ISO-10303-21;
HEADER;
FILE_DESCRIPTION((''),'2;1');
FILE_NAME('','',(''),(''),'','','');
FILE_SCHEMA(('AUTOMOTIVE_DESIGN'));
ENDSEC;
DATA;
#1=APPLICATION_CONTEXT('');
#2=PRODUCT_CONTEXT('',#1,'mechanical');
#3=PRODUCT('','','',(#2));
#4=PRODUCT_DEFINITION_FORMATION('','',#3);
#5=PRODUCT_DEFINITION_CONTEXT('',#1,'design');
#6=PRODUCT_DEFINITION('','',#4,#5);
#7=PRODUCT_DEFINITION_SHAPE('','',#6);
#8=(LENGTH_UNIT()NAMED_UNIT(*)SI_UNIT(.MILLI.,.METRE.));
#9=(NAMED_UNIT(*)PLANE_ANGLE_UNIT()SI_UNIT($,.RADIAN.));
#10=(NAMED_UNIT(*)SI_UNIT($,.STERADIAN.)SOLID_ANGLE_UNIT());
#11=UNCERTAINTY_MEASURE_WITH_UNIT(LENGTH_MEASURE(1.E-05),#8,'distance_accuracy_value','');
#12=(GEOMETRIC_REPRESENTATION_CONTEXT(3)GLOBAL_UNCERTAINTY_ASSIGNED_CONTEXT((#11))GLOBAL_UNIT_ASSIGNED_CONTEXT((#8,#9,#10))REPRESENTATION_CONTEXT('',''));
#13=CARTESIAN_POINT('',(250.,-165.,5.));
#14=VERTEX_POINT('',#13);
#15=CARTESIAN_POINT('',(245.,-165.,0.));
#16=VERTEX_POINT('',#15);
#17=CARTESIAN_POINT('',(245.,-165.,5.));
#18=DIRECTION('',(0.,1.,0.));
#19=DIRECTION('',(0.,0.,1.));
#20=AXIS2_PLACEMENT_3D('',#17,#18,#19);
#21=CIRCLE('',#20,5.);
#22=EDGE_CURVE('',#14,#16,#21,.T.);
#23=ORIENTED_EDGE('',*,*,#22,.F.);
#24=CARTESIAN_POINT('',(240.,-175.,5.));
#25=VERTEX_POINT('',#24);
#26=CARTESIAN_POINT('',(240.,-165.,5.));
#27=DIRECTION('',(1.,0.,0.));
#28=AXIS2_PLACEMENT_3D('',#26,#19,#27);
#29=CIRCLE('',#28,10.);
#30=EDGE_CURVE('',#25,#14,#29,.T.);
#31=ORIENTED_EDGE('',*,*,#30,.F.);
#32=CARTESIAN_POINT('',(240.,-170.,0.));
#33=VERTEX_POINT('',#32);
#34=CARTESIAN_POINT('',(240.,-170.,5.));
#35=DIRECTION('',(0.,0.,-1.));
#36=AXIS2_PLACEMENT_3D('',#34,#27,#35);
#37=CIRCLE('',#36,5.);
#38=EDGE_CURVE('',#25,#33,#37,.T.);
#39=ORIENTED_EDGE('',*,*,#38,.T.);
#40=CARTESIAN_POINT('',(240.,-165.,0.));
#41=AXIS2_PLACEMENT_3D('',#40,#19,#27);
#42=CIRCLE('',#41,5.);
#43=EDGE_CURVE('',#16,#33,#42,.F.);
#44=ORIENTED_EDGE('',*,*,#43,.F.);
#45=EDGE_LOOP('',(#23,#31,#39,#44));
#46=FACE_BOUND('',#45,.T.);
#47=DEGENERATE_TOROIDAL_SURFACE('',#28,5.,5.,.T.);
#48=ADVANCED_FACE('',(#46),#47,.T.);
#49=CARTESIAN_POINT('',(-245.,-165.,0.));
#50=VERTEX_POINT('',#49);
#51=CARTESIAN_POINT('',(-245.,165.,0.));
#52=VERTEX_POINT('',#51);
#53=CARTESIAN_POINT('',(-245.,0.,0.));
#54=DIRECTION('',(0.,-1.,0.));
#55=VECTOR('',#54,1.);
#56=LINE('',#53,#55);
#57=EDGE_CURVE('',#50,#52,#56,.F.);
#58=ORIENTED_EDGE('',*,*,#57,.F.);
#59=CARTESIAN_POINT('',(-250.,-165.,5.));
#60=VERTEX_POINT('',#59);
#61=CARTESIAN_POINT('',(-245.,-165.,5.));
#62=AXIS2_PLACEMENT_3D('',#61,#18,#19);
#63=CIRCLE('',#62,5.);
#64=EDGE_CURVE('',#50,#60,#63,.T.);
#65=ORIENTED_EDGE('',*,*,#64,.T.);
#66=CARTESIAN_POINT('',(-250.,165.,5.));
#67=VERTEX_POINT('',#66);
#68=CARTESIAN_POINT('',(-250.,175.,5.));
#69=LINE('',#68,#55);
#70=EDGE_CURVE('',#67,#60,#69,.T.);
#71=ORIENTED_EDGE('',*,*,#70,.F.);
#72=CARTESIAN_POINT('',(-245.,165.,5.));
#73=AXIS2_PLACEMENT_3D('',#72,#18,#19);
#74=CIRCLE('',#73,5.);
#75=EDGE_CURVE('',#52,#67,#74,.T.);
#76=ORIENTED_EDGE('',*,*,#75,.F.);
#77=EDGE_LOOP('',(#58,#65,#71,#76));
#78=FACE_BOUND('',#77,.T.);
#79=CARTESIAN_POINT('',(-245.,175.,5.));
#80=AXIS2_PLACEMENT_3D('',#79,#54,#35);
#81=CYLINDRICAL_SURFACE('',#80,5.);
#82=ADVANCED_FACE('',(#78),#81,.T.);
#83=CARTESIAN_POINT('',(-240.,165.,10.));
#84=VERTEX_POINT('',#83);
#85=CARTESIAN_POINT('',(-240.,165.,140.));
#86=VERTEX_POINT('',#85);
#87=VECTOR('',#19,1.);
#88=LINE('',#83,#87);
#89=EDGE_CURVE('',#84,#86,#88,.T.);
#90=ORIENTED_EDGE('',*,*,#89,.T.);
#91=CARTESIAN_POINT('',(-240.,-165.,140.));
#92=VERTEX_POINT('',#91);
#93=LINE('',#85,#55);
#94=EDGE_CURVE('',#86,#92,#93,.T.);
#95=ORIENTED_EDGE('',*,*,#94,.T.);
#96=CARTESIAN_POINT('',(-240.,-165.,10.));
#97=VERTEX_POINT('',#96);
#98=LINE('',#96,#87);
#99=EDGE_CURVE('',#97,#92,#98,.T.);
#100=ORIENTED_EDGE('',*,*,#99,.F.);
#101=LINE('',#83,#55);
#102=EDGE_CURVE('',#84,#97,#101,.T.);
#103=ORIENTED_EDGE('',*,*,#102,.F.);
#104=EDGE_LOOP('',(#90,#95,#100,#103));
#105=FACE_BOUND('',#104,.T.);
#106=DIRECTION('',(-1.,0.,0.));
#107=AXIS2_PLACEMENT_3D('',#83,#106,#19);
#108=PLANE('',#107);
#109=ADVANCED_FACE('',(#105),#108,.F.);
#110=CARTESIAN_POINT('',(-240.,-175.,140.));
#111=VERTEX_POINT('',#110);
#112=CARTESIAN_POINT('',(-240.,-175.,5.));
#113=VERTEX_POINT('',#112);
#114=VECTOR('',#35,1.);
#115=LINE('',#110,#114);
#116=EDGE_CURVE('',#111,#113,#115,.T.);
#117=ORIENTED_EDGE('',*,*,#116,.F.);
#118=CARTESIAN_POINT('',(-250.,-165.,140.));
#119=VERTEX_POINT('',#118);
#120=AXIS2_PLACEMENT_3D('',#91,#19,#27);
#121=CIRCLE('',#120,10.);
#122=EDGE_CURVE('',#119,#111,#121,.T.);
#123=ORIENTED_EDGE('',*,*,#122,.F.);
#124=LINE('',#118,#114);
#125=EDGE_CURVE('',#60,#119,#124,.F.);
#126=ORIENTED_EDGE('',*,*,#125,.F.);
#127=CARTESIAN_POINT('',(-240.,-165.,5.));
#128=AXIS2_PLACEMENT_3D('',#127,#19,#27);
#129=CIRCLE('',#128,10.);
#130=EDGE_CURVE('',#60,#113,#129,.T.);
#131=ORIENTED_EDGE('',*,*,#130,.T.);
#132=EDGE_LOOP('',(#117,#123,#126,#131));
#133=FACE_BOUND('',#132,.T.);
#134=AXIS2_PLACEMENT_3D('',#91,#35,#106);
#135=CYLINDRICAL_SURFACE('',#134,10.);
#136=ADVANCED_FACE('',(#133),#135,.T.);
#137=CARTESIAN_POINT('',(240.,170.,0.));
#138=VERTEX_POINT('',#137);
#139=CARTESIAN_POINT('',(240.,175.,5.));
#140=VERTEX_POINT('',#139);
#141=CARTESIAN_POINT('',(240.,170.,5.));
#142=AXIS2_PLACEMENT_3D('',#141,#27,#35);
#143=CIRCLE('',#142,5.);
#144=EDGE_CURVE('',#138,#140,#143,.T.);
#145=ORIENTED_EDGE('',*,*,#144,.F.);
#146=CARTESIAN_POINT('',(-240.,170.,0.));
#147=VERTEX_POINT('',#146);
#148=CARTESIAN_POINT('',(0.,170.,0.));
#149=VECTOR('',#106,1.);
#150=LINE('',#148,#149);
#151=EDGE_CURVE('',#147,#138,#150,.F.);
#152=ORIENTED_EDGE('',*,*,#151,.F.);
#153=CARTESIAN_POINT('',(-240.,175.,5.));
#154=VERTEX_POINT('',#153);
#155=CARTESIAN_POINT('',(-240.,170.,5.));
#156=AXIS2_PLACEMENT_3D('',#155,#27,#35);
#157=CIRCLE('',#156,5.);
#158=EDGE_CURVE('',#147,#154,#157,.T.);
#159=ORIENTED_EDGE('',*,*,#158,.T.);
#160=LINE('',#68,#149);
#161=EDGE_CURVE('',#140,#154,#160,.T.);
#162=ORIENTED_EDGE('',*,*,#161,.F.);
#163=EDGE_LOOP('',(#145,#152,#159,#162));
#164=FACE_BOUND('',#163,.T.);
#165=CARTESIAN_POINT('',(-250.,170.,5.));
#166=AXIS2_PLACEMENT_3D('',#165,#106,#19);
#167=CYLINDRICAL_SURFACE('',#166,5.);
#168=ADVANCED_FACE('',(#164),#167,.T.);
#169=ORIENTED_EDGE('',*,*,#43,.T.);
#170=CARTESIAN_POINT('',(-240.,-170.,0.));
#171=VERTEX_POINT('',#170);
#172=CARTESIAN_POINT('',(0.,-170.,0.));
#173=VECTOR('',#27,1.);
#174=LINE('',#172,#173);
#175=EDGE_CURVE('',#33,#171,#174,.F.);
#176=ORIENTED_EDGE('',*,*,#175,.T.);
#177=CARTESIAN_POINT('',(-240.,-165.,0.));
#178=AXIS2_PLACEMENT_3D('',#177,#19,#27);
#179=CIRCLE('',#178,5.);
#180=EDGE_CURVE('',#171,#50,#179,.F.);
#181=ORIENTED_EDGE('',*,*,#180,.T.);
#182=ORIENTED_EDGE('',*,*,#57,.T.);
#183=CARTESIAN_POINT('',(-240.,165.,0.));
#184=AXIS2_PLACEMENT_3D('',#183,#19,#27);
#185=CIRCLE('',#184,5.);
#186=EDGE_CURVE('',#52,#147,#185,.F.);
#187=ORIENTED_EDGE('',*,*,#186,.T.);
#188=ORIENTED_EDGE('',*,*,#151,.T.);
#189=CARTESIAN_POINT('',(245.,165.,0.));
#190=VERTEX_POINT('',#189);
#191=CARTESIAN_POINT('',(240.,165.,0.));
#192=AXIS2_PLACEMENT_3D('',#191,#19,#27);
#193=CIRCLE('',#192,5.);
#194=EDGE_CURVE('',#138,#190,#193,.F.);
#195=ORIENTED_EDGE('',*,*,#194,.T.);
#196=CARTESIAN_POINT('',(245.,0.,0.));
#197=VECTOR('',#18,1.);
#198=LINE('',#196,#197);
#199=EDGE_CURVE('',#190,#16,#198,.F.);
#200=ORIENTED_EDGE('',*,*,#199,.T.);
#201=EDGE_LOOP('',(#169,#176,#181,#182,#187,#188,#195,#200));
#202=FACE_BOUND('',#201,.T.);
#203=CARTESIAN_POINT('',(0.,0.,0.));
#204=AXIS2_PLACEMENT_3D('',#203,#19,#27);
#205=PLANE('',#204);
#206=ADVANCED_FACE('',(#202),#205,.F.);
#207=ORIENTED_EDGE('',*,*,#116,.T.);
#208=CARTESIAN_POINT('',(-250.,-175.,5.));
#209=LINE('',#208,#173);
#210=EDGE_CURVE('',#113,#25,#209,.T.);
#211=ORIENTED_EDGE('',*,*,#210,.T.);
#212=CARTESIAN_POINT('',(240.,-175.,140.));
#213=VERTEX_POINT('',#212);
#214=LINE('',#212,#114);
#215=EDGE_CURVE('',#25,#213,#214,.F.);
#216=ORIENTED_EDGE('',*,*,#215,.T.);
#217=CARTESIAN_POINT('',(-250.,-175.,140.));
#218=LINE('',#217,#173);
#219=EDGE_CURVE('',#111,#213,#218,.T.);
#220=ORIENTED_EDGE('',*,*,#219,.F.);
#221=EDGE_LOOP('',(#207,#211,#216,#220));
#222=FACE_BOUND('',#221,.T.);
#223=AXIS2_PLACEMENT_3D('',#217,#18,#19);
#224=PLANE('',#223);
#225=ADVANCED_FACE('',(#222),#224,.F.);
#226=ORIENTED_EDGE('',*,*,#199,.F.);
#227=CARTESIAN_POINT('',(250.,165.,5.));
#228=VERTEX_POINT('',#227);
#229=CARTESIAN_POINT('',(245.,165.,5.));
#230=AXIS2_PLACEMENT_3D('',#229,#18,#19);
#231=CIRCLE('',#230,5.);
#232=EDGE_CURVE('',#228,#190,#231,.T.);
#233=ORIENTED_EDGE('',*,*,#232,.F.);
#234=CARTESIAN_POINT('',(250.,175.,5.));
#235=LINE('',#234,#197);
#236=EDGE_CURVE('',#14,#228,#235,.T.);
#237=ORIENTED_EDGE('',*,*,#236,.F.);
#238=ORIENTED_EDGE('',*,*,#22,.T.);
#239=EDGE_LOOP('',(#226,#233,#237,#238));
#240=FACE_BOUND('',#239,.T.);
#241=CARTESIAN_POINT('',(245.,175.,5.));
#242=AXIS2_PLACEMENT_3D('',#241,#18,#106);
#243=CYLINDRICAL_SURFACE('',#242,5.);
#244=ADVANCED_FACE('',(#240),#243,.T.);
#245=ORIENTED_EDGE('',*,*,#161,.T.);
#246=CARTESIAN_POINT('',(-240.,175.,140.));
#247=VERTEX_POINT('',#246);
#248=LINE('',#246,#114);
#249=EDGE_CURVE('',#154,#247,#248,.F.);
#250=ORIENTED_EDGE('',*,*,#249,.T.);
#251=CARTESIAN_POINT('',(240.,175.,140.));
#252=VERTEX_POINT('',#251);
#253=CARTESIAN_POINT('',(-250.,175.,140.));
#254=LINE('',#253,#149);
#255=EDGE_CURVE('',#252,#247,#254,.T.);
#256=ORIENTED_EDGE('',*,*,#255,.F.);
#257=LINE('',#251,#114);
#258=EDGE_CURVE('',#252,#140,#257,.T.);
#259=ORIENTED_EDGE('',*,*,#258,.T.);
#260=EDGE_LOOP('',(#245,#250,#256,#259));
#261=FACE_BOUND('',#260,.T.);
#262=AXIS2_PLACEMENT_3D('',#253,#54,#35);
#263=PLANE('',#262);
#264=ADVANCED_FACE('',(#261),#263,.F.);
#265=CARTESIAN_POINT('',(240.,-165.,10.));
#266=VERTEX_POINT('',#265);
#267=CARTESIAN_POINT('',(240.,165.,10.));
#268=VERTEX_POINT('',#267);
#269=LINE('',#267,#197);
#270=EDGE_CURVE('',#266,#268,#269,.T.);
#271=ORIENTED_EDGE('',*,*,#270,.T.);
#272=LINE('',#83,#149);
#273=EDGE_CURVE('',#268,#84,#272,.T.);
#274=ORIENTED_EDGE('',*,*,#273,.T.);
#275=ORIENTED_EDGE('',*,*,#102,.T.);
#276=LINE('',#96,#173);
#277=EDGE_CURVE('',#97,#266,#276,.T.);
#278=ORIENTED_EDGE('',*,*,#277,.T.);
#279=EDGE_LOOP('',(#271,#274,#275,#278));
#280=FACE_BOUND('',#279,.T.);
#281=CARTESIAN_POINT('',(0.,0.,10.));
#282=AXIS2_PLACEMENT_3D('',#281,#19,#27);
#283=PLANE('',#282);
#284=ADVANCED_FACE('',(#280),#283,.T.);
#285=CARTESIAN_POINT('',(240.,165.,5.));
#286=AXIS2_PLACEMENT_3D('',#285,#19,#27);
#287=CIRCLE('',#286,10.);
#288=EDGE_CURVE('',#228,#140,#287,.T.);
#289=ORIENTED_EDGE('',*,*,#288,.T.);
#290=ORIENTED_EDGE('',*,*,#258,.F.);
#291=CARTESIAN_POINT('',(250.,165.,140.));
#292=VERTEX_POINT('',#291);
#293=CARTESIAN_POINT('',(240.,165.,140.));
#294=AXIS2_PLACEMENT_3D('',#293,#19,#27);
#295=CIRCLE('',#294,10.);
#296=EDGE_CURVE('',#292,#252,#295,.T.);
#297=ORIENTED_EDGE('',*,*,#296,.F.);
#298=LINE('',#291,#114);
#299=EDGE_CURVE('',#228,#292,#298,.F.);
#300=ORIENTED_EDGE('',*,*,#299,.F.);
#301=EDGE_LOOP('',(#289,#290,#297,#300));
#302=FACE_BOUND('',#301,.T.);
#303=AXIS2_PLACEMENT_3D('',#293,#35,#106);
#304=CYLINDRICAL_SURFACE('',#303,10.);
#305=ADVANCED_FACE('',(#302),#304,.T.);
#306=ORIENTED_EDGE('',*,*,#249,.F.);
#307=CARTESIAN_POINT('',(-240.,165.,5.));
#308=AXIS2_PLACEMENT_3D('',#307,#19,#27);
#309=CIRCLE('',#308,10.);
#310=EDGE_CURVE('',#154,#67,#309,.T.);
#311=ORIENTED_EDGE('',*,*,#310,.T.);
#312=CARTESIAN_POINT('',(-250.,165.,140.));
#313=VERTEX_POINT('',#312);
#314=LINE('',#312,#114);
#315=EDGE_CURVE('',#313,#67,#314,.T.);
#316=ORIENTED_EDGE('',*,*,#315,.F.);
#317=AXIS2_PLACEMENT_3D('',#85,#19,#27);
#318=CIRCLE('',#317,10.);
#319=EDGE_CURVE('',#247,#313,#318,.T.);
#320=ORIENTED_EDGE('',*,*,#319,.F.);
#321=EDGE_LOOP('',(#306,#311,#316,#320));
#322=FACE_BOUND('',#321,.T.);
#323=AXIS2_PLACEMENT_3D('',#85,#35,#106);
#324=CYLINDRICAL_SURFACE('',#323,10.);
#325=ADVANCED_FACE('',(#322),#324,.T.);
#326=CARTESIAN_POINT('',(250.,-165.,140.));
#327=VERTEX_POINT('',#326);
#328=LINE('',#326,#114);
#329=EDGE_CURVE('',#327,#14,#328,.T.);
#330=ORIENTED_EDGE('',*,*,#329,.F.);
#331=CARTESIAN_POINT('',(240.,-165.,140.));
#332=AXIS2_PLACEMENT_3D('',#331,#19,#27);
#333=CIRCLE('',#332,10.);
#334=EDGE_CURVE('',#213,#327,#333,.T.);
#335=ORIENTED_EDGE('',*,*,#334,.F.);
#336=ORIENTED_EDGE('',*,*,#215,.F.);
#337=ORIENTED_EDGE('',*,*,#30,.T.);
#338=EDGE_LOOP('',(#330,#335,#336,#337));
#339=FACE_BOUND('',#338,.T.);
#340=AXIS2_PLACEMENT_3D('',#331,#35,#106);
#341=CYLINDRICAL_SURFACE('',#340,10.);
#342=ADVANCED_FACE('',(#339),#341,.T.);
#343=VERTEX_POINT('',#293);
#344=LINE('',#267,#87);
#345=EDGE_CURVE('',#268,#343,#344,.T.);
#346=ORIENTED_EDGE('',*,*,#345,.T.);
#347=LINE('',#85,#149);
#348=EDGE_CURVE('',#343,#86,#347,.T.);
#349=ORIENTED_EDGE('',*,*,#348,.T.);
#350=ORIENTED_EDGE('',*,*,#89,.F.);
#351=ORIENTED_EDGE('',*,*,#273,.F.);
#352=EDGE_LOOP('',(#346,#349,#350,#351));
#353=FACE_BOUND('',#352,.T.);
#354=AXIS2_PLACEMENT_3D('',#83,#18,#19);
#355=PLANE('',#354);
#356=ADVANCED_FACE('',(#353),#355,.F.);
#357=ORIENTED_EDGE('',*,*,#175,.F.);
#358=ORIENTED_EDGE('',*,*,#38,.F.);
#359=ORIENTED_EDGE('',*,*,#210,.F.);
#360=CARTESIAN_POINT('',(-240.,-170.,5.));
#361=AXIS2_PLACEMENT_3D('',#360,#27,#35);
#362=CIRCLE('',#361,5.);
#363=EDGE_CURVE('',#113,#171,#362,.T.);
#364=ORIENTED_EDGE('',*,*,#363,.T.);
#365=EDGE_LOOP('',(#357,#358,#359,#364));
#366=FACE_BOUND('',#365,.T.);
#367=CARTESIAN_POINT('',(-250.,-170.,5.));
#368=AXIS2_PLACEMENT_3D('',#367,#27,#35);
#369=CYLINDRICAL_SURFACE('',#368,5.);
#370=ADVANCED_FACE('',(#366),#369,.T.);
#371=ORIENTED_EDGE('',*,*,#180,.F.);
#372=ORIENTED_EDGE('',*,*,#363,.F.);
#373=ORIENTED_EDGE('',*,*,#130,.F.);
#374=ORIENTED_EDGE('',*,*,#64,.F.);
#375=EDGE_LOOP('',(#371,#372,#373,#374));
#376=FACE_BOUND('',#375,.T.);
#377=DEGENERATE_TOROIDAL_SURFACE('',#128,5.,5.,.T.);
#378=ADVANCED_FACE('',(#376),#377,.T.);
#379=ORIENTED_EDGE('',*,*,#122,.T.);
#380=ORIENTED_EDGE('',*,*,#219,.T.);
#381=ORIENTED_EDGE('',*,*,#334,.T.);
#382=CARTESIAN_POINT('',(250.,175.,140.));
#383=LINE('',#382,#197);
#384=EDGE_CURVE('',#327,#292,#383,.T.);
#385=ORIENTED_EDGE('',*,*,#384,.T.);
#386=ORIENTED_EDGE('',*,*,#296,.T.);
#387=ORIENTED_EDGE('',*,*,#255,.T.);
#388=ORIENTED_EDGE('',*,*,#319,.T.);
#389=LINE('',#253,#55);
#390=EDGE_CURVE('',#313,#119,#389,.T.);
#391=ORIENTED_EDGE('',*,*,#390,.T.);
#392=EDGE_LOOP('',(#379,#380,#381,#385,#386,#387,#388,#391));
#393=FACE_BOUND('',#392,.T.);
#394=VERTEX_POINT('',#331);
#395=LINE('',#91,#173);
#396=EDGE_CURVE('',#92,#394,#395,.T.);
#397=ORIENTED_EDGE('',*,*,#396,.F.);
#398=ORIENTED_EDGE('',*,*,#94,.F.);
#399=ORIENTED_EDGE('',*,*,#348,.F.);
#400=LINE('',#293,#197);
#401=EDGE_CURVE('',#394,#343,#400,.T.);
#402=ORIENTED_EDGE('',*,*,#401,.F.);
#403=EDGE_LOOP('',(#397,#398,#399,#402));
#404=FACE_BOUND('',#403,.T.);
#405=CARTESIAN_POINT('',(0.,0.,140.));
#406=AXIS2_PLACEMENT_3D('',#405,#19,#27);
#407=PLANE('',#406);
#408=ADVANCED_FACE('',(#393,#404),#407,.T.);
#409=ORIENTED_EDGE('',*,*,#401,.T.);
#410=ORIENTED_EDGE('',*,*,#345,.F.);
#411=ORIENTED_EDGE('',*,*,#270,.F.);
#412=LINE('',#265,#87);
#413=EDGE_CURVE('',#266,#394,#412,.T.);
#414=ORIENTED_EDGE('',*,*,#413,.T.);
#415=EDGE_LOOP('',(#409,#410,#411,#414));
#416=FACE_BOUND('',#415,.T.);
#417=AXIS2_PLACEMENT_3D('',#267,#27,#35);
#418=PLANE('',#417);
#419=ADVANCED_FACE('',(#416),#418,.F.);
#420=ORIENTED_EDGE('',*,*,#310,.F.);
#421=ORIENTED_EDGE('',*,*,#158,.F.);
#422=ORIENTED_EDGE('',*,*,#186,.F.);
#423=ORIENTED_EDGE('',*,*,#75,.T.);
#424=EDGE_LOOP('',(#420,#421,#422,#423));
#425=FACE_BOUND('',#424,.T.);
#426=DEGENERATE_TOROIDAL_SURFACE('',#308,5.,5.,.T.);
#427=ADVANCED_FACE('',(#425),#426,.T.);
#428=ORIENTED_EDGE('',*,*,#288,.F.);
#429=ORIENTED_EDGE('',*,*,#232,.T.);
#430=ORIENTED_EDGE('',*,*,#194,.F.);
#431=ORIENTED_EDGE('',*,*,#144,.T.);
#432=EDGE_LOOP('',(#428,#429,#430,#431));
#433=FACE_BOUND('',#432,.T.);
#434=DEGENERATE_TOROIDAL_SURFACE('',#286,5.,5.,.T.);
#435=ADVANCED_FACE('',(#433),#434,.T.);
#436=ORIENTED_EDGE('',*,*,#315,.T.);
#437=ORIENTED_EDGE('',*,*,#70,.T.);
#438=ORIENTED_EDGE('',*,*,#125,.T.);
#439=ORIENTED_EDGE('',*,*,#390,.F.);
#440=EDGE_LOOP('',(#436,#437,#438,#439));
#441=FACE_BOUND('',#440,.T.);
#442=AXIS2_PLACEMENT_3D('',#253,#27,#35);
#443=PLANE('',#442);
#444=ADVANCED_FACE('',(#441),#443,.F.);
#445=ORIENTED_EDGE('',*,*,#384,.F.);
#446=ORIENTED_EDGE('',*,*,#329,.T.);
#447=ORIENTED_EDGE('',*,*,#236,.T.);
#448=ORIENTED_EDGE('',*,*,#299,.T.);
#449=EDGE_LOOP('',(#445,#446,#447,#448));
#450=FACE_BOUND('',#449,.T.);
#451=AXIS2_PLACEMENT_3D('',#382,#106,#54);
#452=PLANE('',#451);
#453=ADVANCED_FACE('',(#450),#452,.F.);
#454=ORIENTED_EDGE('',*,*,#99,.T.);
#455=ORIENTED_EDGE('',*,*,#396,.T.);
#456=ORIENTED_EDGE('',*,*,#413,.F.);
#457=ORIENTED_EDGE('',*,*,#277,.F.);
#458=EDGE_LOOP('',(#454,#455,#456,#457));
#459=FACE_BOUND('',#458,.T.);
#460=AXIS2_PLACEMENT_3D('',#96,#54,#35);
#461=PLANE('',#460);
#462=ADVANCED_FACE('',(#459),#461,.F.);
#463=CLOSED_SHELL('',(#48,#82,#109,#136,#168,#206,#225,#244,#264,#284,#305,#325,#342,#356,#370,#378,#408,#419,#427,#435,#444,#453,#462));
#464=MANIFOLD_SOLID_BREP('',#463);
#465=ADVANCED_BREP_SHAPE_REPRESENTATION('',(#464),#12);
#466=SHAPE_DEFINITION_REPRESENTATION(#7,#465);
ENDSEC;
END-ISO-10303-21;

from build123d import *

# Parameters (mm, degrees)
SKETCH1_W           = 500
SKETCH1_H           = 350
BOSS_EXTRUDE2_DEPTH = 140
SKETCH4_W           = 480
SKETCH4_H           = 330
CUT_EXTRUDE3_DEPTH  = 130
FILLET1_R           = 10
FILLET3_R           = 5


with BuildPart() as part:
    # Sketch1 → Boss-Extrude2 (new body)
    with BuildSketch(Plane.XY):
        Rectangle(SKETCH1_W, SKETCH1_H)
    extrude(amount=BOSS_EXTRUDE2_DEPTH)

    # Sketch4 → Cut-Extrude3 (cut)
    with BuildSketch(Plane.XY.offset(140)):
        Rectangle(SKETCH4_W, SKETCH4_H)
    extrude(amount=-CUT_EXTRUDE3_DEPTH, mode=Mode.SUBTRACT)

    # Fillet1
    fillet1_edges = [part.edges().sort_by_distance(p)[0] for p in [
        (250, -175, 70),
        (-250, -175, 70),
        (-250, 175, 70),
        (250, 175, 70),
    ]]
    fillet(fillet1_edges, radius=FILLET1_R)

    # Fillet3
    fillet3_edges = [part.edges().sort_by_distance(p)[0] for p in [
        (0, 175, 0),
        (250, 0, 0),
        (0, -175, 0),
        (-250, 0, 0),
        (-247.071067812, -172.071067812, 0),
        (-247.071067812, 172.071067812, 0),
        (247.071067812, -172.071067812, 0),
        (247.071067812, 172.071067812, 0),
    ]]
    fillet(fillet3_edges, radius=FILLET3_R)


solid = part.part
